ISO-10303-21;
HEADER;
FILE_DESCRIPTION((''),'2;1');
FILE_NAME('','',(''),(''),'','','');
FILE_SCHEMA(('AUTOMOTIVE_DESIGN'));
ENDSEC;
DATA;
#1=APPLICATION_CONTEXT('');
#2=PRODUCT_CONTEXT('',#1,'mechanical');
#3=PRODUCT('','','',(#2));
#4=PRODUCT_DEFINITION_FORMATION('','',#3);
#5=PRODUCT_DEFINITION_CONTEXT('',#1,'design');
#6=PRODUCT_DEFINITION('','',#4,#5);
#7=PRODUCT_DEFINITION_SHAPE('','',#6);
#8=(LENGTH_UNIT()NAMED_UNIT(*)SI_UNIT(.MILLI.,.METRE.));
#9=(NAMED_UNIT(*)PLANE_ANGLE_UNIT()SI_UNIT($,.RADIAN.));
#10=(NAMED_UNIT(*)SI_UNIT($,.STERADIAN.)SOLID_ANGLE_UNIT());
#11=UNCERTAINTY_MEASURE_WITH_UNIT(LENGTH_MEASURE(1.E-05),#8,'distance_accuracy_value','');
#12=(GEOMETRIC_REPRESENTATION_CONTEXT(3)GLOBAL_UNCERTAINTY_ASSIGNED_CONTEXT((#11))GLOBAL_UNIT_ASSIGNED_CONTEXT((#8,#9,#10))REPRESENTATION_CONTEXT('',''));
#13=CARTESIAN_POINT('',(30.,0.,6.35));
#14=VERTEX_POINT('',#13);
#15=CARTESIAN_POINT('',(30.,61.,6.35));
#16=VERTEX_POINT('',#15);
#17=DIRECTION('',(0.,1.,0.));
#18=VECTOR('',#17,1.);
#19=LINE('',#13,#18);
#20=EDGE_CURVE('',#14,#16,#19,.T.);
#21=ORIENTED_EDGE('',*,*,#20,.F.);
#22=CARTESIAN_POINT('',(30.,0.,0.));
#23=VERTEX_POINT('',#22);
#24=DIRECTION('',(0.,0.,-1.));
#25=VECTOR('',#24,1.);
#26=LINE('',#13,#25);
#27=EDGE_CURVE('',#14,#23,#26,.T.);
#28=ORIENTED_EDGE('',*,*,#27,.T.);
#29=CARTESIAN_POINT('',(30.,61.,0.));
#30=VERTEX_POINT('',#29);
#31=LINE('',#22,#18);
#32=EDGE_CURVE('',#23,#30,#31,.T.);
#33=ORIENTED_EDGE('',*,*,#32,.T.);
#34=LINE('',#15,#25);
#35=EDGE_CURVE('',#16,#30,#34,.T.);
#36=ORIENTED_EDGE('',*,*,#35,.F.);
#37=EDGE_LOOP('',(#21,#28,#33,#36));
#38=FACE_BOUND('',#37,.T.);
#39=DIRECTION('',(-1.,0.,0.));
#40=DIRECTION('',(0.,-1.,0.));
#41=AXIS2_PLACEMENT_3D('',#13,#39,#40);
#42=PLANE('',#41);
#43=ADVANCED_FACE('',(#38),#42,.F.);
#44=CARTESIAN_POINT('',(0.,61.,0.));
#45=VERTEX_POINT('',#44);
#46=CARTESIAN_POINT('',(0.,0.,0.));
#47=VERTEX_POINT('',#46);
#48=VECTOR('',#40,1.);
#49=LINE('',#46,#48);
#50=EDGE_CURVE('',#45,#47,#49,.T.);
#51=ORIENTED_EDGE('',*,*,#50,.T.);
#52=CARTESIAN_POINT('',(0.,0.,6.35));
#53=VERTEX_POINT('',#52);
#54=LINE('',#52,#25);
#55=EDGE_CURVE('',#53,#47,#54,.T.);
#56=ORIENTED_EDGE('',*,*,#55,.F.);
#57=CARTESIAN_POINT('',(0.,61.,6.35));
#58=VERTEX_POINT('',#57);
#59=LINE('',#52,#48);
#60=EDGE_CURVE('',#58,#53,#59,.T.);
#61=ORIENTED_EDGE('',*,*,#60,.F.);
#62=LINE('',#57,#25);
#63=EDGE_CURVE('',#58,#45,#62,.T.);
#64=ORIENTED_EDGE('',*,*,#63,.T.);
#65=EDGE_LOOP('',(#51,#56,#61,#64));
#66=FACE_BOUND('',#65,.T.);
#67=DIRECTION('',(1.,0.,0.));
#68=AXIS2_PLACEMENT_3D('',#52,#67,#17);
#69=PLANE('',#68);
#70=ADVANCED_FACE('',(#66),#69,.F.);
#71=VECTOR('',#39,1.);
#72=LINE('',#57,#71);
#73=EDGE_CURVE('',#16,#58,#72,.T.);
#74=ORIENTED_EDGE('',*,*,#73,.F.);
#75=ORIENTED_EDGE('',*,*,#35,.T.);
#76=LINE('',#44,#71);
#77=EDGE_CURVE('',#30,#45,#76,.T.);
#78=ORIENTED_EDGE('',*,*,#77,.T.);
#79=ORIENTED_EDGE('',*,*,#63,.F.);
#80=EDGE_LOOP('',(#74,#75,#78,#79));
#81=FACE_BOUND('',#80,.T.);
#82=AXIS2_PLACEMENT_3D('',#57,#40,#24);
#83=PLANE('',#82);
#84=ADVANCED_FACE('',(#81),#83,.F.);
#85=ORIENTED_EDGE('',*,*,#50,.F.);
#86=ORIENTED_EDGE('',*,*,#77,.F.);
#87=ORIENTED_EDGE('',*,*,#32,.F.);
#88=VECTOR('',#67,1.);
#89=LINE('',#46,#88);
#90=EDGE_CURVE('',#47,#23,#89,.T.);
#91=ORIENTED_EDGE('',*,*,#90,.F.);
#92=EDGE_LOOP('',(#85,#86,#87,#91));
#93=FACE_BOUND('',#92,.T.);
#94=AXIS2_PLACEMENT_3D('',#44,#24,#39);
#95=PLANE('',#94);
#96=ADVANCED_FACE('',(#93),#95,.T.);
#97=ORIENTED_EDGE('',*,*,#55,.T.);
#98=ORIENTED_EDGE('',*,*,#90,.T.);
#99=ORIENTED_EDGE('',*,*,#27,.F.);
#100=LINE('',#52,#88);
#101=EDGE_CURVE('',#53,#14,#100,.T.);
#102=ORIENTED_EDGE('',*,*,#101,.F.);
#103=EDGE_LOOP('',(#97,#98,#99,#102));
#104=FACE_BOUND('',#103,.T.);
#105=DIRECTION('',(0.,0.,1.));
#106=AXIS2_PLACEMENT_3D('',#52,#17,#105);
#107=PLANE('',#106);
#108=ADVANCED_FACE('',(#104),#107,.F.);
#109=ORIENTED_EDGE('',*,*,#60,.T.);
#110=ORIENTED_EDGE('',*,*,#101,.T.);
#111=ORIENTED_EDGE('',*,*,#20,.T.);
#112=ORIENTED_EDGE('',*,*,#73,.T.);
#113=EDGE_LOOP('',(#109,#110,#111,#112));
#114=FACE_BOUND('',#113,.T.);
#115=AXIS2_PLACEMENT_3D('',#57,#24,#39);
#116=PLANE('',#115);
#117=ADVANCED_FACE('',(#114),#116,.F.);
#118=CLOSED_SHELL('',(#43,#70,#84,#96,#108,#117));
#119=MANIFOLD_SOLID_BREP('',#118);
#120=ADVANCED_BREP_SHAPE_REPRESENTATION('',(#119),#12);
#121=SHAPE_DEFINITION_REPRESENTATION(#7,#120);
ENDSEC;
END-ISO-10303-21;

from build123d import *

# Parameters (mm, degrees)
SKETCH1_W           = 30
SKETCH1_H           = 61
BOSS_EXTRUDE1_DEPTH = 6.35


with BuildPart() as part:
    # Sketch1 → Boss-Extrude1 (new body)
    with BuildSketch(Plane.XY):
        with Locations((15, 30.5)):
            Rectangle(SKETCH1_W, SKETCH1_H)
    extrude(amount=BOSS_EXTRUDE1_DEPTH)


solid = part.part
